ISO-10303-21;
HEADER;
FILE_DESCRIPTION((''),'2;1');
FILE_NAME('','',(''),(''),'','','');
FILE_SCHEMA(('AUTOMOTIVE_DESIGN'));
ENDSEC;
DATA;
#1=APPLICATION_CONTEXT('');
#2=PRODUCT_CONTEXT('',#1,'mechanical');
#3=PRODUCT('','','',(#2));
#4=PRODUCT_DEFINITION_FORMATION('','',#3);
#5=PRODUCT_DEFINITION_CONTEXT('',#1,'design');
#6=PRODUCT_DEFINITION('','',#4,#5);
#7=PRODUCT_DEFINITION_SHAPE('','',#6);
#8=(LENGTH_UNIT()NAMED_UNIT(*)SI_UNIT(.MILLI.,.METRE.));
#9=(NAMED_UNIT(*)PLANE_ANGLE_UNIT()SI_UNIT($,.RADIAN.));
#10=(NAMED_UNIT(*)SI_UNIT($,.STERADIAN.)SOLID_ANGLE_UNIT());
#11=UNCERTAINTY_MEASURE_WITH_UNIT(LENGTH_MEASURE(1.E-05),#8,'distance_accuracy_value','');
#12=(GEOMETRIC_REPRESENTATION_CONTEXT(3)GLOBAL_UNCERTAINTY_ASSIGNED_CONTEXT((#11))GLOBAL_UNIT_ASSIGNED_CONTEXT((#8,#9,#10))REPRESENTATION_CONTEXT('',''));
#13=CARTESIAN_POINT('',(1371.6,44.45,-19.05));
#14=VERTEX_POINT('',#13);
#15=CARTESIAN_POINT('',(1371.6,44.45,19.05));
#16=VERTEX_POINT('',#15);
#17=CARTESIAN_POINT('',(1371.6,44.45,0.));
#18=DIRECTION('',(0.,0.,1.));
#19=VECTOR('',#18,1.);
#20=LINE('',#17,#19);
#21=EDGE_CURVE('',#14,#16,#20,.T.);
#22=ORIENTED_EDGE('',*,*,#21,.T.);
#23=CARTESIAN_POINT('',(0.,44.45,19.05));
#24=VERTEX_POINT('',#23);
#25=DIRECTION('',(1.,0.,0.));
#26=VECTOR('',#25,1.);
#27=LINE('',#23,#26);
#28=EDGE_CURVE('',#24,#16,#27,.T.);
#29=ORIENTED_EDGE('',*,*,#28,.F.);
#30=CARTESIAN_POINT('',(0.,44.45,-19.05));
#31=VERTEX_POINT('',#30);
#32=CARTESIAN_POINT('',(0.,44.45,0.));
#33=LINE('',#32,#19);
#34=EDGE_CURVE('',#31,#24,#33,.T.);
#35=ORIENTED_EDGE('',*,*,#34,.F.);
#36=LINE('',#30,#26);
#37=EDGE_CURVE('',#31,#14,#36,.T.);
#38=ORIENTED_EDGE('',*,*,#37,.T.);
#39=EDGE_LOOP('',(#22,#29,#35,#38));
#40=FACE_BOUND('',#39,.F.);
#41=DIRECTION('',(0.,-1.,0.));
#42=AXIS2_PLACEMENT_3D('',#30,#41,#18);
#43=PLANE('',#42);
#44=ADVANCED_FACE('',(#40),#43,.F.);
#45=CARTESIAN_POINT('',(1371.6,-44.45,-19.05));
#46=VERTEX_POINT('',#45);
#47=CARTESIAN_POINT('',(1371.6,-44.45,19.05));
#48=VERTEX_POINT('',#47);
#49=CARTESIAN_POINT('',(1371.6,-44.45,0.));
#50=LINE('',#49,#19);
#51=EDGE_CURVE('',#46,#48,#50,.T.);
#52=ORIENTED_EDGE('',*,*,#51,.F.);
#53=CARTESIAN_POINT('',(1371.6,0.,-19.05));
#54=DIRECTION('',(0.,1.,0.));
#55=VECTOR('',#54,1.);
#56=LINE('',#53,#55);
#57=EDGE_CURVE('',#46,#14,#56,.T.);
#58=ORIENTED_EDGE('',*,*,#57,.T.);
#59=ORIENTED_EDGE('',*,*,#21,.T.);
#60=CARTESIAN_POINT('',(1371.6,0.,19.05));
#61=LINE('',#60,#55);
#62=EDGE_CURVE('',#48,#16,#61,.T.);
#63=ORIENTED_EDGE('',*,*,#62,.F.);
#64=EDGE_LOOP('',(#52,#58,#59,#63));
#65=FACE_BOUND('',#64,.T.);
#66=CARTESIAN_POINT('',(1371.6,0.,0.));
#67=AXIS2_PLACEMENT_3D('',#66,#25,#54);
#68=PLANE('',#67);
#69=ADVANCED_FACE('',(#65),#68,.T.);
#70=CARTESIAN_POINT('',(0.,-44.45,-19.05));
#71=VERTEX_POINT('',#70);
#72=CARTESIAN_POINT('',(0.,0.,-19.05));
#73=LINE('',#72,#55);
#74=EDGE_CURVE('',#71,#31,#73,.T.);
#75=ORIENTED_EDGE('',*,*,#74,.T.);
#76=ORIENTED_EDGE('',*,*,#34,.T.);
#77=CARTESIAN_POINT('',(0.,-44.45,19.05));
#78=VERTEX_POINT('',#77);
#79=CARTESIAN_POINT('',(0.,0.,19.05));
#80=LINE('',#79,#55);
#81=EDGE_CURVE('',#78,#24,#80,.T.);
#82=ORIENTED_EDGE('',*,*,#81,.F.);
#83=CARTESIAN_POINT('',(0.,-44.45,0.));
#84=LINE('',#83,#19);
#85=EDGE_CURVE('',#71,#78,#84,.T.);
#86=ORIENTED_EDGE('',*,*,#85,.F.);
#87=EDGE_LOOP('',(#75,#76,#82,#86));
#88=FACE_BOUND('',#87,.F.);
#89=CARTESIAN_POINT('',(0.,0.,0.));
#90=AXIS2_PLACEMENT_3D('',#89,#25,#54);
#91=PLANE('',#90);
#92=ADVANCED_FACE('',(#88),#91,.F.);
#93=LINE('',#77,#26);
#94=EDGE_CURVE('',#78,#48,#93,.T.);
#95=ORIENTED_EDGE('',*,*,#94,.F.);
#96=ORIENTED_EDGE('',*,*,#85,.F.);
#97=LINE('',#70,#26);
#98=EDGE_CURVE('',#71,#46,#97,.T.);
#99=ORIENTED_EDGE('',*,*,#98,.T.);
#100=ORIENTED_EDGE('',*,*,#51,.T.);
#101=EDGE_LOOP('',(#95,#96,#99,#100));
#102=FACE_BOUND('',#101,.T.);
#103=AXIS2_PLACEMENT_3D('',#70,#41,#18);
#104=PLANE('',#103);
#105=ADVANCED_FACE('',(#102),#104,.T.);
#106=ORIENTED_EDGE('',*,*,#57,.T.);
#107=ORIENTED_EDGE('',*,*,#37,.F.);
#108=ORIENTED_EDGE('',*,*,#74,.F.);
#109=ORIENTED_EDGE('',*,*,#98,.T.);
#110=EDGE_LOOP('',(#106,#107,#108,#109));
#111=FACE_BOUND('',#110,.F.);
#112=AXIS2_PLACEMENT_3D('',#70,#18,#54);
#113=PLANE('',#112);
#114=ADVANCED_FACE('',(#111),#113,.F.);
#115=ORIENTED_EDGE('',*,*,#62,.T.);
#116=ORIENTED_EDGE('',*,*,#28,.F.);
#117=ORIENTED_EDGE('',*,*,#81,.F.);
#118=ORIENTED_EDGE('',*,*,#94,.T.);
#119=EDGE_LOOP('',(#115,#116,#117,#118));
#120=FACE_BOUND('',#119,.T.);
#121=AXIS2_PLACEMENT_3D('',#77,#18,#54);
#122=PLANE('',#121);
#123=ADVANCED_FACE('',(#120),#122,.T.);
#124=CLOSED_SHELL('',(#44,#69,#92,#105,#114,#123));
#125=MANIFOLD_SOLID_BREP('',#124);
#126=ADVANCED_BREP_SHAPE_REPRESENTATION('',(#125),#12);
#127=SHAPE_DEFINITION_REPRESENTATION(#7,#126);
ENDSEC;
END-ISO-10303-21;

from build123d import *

# Parameters (mm, degrees)
F0_W     = 88.9
F0_H     = 38.1
F1_DEPTH = 1371.6


with BuildPart() as f1:
    # F0 (on Right) → F1 (new body)
    with BuildSketch(Plane.YZ):
        Rectangle(F0_W, F0_H)
    extrude(amount=F1_DEPTH)


solid = f1.part
